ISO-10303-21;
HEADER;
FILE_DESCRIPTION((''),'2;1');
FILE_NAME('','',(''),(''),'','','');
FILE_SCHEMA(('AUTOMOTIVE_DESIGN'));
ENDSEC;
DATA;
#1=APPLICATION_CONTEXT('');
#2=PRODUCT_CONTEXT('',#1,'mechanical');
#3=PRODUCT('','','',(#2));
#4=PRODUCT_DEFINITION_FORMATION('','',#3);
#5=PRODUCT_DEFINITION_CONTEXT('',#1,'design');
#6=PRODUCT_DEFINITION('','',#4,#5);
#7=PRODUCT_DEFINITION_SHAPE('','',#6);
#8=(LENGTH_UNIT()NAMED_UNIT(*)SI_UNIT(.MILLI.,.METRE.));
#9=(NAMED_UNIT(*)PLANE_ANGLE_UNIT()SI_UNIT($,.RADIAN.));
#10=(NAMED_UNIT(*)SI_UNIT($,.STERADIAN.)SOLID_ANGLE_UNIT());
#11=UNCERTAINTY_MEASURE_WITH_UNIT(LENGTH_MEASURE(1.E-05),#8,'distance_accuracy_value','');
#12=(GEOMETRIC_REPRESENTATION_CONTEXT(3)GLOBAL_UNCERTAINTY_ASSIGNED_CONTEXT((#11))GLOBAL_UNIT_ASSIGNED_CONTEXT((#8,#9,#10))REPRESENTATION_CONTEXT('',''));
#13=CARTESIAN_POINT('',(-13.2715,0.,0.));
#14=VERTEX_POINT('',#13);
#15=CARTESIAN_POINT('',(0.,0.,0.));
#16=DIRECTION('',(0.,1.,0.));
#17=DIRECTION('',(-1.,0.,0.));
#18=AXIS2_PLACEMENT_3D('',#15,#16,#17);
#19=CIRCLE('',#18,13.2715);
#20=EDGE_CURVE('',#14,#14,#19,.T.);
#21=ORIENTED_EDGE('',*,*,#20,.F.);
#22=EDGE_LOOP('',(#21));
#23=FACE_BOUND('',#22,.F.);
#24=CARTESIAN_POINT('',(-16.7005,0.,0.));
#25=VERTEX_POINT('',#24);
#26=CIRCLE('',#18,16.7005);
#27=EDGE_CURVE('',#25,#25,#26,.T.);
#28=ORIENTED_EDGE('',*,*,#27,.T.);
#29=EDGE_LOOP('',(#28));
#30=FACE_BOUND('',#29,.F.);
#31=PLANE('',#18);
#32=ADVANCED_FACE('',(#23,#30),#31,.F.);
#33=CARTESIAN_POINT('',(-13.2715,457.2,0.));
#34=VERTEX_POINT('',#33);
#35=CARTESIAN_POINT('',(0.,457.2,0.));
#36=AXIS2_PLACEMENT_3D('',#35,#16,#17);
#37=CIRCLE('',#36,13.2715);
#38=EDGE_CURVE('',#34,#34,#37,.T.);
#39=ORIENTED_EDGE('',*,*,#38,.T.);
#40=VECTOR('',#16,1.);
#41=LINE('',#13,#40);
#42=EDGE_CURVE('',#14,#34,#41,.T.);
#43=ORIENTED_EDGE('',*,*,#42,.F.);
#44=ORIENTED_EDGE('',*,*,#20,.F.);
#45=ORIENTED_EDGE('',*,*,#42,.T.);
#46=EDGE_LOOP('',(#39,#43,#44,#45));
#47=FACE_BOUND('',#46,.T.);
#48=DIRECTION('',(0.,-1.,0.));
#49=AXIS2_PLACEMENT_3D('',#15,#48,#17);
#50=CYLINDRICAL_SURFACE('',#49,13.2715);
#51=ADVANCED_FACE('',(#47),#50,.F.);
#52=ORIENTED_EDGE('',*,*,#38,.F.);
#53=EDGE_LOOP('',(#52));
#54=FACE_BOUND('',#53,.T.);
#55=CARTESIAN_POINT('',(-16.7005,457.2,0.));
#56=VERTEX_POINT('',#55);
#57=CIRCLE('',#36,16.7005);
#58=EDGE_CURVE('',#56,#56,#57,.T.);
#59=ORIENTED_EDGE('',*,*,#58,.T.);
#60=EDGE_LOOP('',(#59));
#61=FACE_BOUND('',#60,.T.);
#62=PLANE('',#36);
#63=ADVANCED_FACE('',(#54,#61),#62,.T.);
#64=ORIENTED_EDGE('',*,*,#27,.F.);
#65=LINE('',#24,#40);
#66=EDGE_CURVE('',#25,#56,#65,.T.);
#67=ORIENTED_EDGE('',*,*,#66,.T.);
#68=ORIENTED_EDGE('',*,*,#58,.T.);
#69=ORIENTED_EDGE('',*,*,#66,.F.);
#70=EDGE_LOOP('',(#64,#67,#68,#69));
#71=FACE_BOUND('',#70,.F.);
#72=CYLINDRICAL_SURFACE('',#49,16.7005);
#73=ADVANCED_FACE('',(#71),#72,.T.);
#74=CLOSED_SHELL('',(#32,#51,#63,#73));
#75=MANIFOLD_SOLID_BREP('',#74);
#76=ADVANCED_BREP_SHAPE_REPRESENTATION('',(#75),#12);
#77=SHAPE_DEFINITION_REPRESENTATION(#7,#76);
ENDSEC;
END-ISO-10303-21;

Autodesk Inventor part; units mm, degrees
ref_plane "YZ Plane" through (0, 0, 0) normal (1, 0, 0) x (0, 1, 0)
ref_plane "XZ Plane" through (0, 0, 0) normal (0, 1, 0) x (-1, 0, 0)
ref_plane "XY Plane" through (0, 0, 0) normal (0, 0, 1) x (1, 0, 0)
sketch "Sketch1" plane through (0, 0, 0) normal (0, 1, 0) x (-1, 0, 0)
  circle A0 centre (0, 0) radius 13.2715
  circle A1 centre (0, 0) radius 16.7005
  dimension "d0" = 26.543
  dimension "d1" = 33.401
extrude "Extrusion1" add sketch "Sketch1" along normal blind 457.2
properties part number "pvc pipe 1in 1"
